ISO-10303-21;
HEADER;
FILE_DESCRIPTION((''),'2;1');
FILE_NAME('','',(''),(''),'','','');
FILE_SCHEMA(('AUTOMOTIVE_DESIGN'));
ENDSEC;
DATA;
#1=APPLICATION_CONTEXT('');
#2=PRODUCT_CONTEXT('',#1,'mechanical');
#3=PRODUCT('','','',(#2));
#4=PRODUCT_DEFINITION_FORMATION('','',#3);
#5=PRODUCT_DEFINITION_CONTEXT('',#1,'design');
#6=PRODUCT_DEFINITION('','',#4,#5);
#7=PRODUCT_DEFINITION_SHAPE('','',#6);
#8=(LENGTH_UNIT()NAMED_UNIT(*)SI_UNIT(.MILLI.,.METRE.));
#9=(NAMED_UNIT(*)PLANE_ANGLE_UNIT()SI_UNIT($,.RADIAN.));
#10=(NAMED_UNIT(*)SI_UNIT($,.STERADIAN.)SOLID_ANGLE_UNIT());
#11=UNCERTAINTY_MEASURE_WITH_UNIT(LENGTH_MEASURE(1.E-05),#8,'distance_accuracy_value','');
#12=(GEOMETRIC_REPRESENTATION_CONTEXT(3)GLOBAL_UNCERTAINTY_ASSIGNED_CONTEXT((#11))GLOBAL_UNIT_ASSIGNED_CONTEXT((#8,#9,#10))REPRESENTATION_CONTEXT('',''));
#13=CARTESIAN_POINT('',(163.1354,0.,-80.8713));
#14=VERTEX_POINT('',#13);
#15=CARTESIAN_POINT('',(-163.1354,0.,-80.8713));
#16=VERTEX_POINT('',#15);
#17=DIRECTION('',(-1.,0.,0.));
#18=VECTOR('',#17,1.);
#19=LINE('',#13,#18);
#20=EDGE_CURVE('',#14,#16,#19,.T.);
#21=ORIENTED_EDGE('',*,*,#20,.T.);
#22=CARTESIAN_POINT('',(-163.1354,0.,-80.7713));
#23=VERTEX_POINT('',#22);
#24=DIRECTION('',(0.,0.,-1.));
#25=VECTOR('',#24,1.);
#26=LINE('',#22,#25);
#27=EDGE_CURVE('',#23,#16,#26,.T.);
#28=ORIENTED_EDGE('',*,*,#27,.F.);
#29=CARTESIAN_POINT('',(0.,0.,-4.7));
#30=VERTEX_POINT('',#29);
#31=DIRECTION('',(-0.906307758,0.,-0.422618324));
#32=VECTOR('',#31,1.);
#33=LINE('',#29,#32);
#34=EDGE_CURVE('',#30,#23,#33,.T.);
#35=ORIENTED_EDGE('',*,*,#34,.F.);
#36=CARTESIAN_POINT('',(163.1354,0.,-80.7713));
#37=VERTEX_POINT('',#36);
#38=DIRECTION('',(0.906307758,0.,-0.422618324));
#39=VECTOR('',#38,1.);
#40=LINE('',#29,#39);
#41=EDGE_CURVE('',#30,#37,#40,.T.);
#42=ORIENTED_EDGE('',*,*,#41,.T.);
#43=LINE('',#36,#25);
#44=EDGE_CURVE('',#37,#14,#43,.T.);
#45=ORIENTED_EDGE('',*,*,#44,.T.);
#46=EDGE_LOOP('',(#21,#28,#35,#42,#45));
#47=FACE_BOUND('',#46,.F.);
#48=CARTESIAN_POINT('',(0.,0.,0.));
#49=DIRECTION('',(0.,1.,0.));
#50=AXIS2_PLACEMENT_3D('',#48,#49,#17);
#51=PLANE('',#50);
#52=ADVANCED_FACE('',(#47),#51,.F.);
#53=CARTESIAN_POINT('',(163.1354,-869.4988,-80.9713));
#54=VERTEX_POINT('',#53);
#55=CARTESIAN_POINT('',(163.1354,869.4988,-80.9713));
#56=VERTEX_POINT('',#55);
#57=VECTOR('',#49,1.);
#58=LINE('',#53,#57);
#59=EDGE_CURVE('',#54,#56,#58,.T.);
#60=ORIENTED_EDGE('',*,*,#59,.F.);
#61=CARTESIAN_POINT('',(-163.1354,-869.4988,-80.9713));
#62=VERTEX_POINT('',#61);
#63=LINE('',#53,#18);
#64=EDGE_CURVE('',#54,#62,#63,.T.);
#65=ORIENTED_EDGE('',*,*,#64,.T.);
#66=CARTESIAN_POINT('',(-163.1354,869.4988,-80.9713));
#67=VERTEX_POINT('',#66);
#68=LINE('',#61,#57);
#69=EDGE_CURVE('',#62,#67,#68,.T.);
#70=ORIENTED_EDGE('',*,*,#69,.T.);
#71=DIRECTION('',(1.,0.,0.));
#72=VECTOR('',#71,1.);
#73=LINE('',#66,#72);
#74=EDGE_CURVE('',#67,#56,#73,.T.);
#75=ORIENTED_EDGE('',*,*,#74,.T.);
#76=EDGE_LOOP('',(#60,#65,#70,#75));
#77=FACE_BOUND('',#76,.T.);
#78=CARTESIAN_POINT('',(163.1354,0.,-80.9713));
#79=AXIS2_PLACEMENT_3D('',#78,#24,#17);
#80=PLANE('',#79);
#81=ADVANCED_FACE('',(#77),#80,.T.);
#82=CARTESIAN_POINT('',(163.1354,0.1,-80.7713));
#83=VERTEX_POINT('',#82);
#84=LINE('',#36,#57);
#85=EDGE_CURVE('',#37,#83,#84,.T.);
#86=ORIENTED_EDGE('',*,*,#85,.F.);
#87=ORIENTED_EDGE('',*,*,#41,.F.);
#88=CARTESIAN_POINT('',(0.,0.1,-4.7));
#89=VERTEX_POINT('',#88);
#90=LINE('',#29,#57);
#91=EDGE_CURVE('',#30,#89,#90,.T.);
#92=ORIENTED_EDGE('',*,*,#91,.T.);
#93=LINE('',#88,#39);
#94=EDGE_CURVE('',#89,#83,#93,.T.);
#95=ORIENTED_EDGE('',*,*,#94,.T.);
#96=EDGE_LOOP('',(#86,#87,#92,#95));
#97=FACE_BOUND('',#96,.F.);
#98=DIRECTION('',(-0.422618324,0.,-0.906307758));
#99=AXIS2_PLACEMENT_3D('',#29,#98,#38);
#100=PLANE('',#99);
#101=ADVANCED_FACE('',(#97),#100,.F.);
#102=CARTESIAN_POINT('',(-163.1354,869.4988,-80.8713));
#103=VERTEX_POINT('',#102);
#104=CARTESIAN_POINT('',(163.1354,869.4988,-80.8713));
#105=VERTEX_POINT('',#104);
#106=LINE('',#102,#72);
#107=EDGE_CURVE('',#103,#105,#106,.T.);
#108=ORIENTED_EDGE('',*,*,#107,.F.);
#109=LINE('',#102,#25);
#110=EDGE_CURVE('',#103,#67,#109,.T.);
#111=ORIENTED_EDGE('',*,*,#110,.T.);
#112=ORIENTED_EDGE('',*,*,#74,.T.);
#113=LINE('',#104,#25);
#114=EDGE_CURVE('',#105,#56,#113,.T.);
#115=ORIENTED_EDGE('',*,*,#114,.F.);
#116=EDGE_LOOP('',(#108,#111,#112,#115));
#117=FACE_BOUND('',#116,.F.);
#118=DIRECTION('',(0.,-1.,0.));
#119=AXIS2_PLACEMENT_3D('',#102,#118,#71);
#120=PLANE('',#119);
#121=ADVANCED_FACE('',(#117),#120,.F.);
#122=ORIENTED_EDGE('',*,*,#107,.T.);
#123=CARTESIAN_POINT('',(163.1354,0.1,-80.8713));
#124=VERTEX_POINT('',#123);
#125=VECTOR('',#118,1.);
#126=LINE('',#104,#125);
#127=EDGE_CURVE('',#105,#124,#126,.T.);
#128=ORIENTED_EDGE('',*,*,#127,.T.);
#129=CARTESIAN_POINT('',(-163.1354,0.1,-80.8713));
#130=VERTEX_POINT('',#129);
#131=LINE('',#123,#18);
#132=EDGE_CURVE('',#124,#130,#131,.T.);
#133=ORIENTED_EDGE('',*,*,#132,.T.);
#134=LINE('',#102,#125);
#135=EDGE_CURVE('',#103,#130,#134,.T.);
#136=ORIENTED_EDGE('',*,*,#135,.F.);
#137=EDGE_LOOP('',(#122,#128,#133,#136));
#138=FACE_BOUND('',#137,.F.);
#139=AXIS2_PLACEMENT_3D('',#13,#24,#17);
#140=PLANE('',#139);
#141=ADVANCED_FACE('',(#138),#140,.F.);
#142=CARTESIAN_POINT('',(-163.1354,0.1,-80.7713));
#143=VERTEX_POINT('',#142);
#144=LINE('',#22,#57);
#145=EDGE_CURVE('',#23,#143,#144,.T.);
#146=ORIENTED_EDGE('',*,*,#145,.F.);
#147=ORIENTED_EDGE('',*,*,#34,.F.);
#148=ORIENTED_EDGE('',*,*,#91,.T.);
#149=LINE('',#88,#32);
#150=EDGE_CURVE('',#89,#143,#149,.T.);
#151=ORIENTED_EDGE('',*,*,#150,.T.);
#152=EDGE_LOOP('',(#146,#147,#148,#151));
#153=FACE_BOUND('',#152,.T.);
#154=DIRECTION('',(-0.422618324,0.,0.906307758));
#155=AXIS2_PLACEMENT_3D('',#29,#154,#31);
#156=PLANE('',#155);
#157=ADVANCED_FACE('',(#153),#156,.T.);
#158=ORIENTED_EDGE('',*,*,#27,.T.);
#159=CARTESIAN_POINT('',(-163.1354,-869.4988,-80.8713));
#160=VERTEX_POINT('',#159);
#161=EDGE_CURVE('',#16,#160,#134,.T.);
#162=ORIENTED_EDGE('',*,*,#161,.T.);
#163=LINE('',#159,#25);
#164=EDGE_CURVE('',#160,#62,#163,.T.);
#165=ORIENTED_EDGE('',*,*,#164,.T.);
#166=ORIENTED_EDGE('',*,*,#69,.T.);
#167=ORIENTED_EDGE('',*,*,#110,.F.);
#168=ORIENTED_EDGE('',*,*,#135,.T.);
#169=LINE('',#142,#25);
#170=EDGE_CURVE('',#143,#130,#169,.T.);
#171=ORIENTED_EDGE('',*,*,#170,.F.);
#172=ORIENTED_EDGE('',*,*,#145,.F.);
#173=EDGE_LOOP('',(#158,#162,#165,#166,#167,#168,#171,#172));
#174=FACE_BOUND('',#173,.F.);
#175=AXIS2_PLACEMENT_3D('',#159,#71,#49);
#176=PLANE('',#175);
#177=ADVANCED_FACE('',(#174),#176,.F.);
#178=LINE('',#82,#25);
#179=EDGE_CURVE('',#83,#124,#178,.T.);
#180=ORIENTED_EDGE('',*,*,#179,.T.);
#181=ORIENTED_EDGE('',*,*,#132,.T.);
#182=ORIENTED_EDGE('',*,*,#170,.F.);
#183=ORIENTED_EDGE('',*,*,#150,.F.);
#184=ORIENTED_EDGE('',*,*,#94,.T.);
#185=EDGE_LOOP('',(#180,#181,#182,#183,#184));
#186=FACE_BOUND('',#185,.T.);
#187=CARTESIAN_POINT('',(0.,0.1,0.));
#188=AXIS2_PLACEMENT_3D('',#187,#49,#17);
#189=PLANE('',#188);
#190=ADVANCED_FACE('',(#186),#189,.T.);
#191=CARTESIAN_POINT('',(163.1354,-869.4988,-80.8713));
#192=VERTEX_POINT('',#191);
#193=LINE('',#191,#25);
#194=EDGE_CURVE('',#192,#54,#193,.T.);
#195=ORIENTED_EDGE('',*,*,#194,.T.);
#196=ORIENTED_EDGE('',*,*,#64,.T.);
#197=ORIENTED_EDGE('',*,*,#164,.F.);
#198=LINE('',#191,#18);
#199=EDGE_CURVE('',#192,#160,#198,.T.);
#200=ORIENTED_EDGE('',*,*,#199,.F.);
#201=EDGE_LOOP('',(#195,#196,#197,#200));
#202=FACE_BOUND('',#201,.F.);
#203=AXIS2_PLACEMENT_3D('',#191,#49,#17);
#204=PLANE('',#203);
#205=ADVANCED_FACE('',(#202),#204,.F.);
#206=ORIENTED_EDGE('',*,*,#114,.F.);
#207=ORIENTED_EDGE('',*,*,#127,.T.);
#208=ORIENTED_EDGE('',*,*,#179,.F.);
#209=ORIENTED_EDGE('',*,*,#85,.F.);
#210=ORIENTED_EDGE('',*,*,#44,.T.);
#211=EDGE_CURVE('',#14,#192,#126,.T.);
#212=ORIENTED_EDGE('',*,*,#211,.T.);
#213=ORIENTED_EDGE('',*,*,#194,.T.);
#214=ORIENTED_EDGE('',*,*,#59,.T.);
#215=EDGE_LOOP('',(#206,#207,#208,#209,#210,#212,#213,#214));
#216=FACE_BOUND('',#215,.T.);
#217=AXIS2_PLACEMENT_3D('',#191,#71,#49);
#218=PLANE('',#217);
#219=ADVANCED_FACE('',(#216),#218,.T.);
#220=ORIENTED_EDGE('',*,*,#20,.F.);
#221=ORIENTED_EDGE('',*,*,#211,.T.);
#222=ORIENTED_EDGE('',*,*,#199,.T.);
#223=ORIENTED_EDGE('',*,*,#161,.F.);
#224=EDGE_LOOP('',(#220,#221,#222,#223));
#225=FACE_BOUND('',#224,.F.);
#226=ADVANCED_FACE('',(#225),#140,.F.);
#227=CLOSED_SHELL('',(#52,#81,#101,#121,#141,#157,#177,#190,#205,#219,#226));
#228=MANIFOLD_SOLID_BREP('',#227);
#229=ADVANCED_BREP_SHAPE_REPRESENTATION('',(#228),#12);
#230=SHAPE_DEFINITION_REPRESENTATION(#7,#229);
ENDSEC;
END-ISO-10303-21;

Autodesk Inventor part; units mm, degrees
ref_plane "YZ Plane" through (0, 0, 0) normal (1, 0, 0) x (0, 1, 0)
ref_plane "XZ Plane" through (0, 0, 0) normal (0, 1, 0) x (-1, 0, 0)
ref_plane "XY Plane" through (0, 0, 0) normal (0, 0, 1) x (1, 0, 0)
sketch "Sketch1" plane through (0, 0, 0) normal (0, 1, 0) x (-1, 0, 0)
  line L0 (7, 0) -> (-7, 0) projected
  arc A0 (-5, -3.7812) -> (5, -3.7812) centre (0, 9.3638) ccw
  line L1 (0, -4.7) -> (163.1354, -80.7713)
  line L2 (0, -4.7) -> (180, -4.7) construction
  line L3 (0, -4.7) -> (97.3734, -4.7) construction
  line L4 (0, -4.7) -> (-163.1354, -80.7713)
  line L5 (0, -4.7) -> (180, -4.7) construction
  line L6 (-163.1354, -80.7713) -> (163.1354, -80.7713)
  point P0 (0, 0)
extrude "Extrusion1" add sketch "Sketch1" along normal blind 0.1
sketch "Sketch3" plane through (163.1354, 0, -80.7713) normal (0, 0, -1) x (-1, 0, 0)
  line L0 (0, 0) -> (326.2708, 0) projected
  line L1 (326.2708, 0) -> (326.2708, 0.1) projected
  line L2 (0, 0.1) -> (326.2708, 0.1) projected
  line L3 (0, 0) -> (0, 0.1) projected
  point P0 (163.1354, 0)
extrude "Extrusion2" add sketch "Sketch3" along normal blind 0.1
sketch "Sketch4" plane through (163.1354, 0, -80.7713) normal (1, 0, 0) x (0, 0, -1)
  line L0 (-76.0713, 0) -> (0, 0) projected
  line L1 (-76.0713, 0) -> (0, -869.4988)
  line L2 (-76.0713, 0) -> (796.7488, 0) construction
  line L3 (-76.0713, 0) -> (0, 869.4988)
  line L4 (-76.0713, 0) -> (796.7488, 0) construction
  line L5 (0, 869.4988) -> (0, -869.4988)
  point P0 (-80.7713, 0)
  dimension "d10" = 85
  dimension "d11" = 85
extrude "Extrusion3" add sketch "Sketch4" along normal blind 0.1
sketch "Sketch5" plane through (163.1354, 0, -80.8713) normal (0, 0, -1) x (-1, 0, 0)
  line L0 (0, -869.4988) -> (0, 0) projected
  line L1 (0, 0.1) -> (0, 0) projected
  line L2 (0, 0.1) -> (0, 869.4988) projected
  line L3 (0, 0) -> (326.2708, 0) projected
  line L4 (0, -869.4988) -> (326.2708, -869.4988)
  line L5 (326.2708, -869.4988) -> (326.2708, 869.4988)
  line L6 (326.2708, 869.4988) -> (0, 869.4988)
  line L7 (0, 869.4988) -> (0, -869.4988)
  point P0 (163.1354, 0)
extrude "Extrusion4" add sketch "Sketch5" along normal blind 0.1
sketch "Sketch6" plane through (163.2354, 0, -80.7713) normal (1, 0, 0) x (0, 0, -1)
  line L0 (0, -869.4988) -> (0, 0) projected
  line L1 (-76.0713, 0) -> (0, -869.4988) projected
  line L2 (0, 869.4988) -> (-76.0713, 0) projected
  line L3 (0, 0.1) -> (0, 869.4988) projected
  line L4 (0, 0) -> (0, 0.1) projected
  point P0 (-80.7713, 0)
extrude "Extrusion5" cut sketch "Sketch6" against normal blind 0.1
properties part number "FOVcam"
